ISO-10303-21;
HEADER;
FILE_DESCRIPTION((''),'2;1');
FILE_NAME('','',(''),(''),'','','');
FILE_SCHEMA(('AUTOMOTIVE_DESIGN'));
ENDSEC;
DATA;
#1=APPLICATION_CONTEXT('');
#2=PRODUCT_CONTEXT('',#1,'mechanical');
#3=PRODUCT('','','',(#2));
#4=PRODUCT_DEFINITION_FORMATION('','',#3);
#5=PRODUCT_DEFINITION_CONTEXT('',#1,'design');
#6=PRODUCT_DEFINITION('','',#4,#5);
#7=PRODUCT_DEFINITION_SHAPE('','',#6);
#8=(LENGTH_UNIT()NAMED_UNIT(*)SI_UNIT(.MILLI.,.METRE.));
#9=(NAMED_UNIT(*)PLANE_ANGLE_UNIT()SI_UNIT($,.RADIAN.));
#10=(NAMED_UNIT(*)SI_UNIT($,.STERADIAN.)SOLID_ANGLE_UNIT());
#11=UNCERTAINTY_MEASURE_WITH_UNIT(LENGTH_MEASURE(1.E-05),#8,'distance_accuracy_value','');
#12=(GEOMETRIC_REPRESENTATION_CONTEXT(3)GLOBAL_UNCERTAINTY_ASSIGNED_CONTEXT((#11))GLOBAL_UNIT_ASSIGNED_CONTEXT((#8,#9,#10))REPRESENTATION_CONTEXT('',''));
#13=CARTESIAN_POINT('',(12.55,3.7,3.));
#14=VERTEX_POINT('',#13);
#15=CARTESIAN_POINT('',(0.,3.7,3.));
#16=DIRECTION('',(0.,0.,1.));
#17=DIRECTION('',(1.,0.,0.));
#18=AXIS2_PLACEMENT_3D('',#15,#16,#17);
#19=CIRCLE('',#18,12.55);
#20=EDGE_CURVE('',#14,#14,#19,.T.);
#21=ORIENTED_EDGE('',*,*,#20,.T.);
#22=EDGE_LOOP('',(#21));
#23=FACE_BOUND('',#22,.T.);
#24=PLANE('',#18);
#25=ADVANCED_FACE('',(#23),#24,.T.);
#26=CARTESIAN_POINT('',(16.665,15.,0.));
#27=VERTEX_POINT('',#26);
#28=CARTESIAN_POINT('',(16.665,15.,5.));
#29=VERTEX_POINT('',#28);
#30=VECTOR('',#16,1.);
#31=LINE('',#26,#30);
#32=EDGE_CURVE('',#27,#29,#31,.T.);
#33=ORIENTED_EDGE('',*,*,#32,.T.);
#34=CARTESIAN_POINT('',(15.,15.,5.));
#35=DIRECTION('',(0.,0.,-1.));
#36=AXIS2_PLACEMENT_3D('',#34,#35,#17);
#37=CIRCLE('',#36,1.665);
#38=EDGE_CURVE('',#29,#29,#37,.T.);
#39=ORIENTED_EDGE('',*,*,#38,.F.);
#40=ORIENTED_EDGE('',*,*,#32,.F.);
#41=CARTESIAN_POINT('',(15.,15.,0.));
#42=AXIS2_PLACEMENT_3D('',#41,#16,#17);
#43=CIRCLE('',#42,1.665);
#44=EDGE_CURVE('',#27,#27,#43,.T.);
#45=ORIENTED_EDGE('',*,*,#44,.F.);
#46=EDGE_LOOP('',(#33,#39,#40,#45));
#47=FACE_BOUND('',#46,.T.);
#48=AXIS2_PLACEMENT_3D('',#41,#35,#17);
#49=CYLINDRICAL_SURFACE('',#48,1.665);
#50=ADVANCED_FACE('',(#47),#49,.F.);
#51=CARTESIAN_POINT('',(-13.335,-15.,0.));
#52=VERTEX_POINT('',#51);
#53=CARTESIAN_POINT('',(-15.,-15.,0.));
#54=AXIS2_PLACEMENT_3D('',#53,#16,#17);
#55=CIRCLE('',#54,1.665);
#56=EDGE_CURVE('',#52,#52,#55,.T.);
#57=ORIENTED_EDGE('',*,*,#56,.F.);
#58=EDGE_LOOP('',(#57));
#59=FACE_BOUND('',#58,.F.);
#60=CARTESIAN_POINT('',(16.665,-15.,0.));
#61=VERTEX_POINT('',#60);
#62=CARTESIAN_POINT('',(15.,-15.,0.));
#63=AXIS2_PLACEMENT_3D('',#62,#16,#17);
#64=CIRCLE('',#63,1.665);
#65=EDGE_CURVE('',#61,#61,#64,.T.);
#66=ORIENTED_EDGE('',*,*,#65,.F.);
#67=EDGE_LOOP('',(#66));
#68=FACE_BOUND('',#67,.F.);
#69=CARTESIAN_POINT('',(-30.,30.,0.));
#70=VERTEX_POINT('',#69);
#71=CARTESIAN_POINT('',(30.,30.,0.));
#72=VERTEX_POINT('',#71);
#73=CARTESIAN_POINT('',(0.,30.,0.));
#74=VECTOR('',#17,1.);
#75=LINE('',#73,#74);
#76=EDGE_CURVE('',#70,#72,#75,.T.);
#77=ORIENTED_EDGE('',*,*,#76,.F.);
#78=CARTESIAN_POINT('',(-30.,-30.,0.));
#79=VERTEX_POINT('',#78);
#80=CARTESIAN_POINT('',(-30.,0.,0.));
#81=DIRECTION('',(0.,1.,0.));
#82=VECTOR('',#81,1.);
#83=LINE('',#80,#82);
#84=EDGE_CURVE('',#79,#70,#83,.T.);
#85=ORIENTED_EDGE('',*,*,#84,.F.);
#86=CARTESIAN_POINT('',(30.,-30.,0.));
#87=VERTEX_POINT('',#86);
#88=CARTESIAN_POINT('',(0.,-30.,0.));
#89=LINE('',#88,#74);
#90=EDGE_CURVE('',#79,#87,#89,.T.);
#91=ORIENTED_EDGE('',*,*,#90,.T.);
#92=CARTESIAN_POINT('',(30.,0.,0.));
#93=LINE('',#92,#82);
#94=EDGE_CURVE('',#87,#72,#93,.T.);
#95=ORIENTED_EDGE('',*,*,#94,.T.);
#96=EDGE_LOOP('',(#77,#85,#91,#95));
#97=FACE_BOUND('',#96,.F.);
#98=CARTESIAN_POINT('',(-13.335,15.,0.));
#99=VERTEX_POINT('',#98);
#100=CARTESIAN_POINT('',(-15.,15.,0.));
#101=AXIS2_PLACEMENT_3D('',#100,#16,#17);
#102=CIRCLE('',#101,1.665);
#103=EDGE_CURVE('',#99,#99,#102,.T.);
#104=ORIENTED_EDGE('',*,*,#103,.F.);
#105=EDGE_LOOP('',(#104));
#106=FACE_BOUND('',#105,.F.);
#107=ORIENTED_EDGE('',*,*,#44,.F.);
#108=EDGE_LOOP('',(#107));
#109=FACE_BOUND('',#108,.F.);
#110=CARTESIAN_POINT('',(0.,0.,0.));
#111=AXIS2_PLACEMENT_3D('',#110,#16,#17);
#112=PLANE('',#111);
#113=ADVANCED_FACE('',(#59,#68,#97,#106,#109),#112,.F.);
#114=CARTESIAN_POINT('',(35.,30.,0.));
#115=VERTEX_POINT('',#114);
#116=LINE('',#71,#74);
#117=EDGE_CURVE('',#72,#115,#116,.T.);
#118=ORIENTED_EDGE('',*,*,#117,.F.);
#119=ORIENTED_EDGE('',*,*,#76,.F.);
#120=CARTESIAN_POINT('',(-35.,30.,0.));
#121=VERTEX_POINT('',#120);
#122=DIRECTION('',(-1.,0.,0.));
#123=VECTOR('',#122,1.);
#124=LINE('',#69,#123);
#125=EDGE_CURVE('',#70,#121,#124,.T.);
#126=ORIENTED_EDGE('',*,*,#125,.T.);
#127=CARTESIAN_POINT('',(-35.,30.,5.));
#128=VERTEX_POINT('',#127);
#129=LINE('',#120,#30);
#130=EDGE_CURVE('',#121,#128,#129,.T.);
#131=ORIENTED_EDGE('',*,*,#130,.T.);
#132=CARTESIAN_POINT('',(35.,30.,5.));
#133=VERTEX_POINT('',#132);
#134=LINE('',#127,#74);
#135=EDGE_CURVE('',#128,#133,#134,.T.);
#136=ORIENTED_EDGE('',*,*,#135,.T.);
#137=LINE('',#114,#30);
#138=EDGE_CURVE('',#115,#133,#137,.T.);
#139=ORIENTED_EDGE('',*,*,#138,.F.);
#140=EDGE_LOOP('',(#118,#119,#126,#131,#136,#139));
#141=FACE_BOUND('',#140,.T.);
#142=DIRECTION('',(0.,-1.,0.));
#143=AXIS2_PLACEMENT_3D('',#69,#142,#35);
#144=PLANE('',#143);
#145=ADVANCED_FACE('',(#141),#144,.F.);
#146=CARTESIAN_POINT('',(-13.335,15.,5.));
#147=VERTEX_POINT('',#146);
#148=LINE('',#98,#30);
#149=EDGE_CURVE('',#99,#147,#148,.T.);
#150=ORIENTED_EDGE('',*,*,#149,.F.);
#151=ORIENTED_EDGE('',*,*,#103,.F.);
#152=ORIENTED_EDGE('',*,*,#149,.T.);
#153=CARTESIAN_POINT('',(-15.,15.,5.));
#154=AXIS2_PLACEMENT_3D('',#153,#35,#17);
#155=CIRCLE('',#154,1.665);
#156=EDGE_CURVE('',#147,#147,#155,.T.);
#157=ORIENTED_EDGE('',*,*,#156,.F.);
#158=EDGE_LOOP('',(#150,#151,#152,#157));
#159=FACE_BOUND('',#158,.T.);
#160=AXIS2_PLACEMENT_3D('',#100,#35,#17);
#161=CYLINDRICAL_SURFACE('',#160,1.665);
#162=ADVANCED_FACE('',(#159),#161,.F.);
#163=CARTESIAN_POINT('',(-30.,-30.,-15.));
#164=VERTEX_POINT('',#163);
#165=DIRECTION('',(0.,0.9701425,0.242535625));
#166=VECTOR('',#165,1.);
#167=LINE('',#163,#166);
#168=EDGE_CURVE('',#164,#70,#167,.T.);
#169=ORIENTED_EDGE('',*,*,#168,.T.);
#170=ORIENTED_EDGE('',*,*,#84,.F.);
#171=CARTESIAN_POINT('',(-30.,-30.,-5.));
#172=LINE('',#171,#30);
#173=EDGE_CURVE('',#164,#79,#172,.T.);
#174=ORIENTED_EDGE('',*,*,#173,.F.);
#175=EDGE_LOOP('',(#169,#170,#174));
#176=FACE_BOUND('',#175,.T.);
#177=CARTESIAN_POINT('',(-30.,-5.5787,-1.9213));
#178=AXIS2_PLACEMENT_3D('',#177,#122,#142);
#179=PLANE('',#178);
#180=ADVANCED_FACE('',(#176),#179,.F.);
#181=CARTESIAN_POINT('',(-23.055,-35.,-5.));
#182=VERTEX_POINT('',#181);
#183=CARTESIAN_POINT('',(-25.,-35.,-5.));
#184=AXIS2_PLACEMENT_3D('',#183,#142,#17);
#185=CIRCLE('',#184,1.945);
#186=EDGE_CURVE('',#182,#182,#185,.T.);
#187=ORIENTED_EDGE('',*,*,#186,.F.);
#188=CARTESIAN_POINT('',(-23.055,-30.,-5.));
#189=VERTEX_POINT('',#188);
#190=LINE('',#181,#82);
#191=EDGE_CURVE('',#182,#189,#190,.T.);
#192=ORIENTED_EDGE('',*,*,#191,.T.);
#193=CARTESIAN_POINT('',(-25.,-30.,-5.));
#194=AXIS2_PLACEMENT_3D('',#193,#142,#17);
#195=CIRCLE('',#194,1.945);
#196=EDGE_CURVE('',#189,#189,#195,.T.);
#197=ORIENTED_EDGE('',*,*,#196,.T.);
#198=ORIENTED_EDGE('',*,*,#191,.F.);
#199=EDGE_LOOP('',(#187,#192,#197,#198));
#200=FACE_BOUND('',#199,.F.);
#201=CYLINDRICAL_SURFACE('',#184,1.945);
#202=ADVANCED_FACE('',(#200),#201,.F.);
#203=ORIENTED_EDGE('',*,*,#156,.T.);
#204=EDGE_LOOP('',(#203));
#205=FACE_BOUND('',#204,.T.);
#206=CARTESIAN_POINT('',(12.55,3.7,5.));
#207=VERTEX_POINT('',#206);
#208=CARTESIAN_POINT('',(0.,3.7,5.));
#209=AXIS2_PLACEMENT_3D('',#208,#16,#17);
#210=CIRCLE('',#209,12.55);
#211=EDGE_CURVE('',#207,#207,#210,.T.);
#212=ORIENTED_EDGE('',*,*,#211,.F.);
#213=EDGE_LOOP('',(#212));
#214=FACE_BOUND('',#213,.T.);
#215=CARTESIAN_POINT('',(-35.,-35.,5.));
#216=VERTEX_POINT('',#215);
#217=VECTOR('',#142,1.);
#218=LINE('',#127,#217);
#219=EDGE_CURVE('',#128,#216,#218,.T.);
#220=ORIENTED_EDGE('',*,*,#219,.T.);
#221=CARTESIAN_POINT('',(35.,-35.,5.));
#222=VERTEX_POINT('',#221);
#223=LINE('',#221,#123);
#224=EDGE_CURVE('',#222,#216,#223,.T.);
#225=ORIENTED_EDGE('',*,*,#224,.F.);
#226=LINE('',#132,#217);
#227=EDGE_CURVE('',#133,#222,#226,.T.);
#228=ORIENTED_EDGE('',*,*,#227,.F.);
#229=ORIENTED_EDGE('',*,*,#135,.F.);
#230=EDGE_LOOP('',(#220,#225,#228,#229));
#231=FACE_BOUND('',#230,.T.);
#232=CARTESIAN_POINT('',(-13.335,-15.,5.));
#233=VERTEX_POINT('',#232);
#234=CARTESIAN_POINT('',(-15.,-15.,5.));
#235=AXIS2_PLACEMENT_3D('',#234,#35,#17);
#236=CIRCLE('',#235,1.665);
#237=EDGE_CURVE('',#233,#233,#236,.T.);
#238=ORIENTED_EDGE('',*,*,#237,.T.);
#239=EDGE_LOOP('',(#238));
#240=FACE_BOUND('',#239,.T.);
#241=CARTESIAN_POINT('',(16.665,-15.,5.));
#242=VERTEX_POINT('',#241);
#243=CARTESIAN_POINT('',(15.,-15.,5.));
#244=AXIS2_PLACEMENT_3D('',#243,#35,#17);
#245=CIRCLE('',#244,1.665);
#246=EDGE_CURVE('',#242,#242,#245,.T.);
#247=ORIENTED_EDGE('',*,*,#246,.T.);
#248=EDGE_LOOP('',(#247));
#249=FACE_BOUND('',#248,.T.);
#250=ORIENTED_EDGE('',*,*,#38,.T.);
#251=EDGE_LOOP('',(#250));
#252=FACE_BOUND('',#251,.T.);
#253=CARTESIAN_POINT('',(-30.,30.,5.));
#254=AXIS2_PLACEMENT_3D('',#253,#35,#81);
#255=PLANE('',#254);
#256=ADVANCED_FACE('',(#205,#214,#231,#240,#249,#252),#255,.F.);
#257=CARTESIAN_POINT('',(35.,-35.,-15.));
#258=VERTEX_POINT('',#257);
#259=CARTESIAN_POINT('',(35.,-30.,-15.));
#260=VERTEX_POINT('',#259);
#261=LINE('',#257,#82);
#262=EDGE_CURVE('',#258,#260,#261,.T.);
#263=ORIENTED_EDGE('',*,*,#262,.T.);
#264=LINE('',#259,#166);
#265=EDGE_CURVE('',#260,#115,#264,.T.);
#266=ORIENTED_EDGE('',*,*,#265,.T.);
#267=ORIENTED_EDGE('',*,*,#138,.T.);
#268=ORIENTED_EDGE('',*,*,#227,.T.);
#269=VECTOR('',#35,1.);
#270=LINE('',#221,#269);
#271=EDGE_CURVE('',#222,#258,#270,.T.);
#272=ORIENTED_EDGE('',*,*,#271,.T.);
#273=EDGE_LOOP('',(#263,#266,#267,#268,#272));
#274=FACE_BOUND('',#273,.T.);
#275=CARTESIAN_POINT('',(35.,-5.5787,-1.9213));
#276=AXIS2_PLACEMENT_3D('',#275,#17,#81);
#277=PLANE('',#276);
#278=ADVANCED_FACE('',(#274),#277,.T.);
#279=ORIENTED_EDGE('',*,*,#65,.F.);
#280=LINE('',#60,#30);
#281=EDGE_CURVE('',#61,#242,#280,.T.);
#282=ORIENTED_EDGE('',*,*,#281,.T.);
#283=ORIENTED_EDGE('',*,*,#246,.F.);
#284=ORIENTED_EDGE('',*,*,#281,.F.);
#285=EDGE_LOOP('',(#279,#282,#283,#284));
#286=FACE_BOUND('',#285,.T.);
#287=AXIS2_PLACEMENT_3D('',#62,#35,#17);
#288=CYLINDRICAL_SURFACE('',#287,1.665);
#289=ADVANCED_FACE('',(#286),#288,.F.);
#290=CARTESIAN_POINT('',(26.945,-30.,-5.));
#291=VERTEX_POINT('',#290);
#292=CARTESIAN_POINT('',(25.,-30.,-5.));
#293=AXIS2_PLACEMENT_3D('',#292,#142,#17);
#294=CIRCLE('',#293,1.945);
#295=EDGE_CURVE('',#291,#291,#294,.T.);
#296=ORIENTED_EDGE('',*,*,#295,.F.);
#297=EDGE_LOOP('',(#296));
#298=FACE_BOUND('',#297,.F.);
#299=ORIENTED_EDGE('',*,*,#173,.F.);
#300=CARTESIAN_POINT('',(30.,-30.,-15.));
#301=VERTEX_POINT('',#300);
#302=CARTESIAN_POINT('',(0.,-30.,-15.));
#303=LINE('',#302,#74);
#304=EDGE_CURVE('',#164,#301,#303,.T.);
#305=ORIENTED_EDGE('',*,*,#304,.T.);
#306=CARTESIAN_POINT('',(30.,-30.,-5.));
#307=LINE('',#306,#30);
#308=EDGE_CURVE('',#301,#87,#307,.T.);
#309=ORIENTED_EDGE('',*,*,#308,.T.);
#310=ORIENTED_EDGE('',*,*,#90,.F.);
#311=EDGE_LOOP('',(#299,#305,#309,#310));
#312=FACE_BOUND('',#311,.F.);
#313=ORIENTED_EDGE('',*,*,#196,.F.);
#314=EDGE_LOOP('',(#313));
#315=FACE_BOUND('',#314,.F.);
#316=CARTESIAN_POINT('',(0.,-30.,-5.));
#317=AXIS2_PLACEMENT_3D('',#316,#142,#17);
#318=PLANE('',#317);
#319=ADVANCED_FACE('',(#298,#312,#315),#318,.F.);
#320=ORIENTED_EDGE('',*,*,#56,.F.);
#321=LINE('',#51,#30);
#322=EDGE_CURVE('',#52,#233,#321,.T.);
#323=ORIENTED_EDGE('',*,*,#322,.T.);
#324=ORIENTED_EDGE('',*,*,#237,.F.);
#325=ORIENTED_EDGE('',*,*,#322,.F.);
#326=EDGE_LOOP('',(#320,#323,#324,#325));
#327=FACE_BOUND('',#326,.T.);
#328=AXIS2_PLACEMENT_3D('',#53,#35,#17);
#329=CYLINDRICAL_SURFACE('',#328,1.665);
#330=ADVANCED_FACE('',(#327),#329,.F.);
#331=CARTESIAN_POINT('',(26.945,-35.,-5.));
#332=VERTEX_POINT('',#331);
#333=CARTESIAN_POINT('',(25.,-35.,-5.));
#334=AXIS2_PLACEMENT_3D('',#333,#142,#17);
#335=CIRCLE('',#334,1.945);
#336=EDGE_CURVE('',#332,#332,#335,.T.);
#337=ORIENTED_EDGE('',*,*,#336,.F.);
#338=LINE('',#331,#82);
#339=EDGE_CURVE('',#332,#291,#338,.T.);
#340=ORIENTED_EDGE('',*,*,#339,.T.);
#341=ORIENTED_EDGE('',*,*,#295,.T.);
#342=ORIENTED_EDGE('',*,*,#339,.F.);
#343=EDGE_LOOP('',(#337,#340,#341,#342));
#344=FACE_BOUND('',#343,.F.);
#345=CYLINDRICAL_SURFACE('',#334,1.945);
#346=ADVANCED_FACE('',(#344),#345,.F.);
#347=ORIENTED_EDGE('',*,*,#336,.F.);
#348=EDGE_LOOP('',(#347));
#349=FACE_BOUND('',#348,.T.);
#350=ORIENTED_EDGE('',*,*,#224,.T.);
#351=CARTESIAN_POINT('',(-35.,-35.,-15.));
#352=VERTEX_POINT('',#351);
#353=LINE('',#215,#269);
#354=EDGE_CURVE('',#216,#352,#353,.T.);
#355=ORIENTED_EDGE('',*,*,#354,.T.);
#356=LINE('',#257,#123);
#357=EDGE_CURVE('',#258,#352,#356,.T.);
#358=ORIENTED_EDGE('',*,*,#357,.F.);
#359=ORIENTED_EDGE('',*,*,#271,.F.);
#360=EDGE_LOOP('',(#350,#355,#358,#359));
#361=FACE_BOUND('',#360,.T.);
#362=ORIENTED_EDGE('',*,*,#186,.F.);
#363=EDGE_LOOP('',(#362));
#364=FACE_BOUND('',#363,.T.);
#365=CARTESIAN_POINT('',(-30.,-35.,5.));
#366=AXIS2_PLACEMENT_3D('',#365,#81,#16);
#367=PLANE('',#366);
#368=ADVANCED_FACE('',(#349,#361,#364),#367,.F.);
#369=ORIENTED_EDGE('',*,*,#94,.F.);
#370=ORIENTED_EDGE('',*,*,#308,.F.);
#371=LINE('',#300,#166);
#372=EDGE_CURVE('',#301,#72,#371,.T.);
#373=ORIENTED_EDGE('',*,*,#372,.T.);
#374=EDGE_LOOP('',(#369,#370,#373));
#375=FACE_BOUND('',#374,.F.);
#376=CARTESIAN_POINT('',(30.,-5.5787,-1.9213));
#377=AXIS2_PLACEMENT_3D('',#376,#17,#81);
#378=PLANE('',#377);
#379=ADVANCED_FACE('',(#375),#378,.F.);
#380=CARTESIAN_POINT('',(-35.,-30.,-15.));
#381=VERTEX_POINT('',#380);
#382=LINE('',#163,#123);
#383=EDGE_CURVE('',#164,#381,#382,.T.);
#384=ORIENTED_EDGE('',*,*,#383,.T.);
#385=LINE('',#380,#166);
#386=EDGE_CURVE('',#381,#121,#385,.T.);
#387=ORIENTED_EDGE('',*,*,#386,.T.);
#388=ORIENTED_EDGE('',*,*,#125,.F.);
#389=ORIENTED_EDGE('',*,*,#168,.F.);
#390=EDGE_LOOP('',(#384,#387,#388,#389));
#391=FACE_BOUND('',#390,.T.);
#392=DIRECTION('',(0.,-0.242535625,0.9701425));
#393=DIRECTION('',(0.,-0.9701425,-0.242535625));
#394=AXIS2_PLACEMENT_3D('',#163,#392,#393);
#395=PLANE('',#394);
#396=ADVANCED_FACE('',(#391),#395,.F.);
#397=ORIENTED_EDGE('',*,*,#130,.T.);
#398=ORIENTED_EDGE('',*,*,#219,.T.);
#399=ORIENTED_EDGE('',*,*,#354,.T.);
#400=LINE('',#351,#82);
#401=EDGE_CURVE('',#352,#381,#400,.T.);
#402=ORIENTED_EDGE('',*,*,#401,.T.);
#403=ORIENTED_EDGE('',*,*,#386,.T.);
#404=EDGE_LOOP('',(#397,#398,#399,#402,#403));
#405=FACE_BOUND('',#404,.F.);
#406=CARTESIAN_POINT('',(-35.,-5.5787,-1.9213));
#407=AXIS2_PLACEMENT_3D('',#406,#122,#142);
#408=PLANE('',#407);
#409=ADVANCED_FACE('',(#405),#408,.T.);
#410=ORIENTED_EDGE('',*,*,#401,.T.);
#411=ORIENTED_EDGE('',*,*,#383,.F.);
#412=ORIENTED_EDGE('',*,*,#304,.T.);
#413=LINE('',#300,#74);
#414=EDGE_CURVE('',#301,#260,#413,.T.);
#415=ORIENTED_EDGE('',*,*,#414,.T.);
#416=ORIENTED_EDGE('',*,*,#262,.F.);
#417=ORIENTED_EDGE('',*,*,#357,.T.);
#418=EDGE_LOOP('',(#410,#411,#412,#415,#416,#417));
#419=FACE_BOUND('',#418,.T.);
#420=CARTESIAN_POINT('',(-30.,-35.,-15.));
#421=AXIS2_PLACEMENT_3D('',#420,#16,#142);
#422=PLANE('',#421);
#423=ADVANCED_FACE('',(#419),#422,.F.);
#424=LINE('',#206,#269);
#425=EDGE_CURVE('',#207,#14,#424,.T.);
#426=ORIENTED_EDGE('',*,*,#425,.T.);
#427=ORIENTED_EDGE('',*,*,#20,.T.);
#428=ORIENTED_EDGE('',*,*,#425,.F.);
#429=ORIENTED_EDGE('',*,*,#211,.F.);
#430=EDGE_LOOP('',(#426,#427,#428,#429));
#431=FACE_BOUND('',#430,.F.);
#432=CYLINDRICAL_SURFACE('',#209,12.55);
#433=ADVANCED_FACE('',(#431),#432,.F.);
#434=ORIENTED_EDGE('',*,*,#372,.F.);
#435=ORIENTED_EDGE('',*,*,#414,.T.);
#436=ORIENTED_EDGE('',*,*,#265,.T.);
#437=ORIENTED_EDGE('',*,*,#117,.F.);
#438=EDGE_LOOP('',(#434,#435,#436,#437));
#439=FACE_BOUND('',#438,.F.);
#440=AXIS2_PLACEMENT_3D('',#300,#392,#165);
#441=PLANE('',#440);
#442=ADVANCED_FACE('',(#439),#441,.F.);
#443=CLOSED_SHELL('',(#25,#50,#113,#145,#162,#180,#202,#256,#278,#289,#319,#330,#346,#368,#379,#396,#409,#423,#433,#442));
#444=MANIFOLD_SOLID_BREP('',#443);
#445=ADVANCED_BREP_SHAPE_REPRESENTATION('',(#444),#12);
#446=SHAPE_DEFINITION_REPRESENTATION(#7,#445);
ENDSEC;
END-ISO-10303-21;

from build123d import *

# Parameters (mm, degrees)
F0_W      = 60
F0_H      = 60
F0_R      = 1.665
F1_DEPTH  = 5
F2_W      = 60
F2_H      = 20
F3_DEPTH  = 5
F5_DEPTH  = 5
F7_R      = 1.945
F8_DEPTH  = 5
F9_R      = 12.55
F10_DEPTH = 2


with BuildPart() as f1:
    # F0 (on Top) → F1 (new body)
    with BuildSketch(Plane.XY):
        Rectangle(F0_W, F0_H)
        with Locations((-15, -15)):
            Circle(F0_R, mode=Mode.SUBTRACT)
        with Locations((15, -15)):
            Circle(F0_R, mode=Mode.SUBTRACT)
        with Locations((-15, 15)):
            Circle(F0_R, mode=Mode.SUBTRACT)
        with Locations((15, 15)):
            Circle(F0_R, mode=Mode.SUBTRACT)
    extrude(amount=F1_DEPTH)

    # F2 (on face) → F3 (join)
    with BuildSketch(Plane.XZ.offset(30)):
        with Locations((0, -5)):
            Rectangle(F2_W, F2_H)
    extrude(amount=F3_DEPTH)

    # F4 (on face) → F5 (join)
    with BuildSketch(Plane.YZ.offset(30)):
        Polygon((-30, -15), (30, 0), (30, 5), (-35, 5), (-35, -15), align=None)
    extrude(amount=F5_DEPTH)

    # F6: F1 across plane


with BuildPart() as f1_1:
    add(f1.part)
    add(f1.part.mirror(Plane.YZ))

    # F7 (on face) → F8 (cut, through all)
    with BuildSketch(Plane.XZ.offset(35)):
        with Locations((-25, -5)):
            Circle(F7_R)
        with Locations((25, -5)):
            Circle(F7_R)
    extrude(amount=-F8_DEPTH, mode=Mode.SUBTRACT)

    # F9 (on face) → F10 (cut)
    with BuildSketch(Plane.XY.offset(5)):
        with Locations((0, 3.7)):
            Circle(F9_R)
    extrude(amount=-F10_DEPTH, mode=Mode.SUBTRACT)


solid = f1_1.part
